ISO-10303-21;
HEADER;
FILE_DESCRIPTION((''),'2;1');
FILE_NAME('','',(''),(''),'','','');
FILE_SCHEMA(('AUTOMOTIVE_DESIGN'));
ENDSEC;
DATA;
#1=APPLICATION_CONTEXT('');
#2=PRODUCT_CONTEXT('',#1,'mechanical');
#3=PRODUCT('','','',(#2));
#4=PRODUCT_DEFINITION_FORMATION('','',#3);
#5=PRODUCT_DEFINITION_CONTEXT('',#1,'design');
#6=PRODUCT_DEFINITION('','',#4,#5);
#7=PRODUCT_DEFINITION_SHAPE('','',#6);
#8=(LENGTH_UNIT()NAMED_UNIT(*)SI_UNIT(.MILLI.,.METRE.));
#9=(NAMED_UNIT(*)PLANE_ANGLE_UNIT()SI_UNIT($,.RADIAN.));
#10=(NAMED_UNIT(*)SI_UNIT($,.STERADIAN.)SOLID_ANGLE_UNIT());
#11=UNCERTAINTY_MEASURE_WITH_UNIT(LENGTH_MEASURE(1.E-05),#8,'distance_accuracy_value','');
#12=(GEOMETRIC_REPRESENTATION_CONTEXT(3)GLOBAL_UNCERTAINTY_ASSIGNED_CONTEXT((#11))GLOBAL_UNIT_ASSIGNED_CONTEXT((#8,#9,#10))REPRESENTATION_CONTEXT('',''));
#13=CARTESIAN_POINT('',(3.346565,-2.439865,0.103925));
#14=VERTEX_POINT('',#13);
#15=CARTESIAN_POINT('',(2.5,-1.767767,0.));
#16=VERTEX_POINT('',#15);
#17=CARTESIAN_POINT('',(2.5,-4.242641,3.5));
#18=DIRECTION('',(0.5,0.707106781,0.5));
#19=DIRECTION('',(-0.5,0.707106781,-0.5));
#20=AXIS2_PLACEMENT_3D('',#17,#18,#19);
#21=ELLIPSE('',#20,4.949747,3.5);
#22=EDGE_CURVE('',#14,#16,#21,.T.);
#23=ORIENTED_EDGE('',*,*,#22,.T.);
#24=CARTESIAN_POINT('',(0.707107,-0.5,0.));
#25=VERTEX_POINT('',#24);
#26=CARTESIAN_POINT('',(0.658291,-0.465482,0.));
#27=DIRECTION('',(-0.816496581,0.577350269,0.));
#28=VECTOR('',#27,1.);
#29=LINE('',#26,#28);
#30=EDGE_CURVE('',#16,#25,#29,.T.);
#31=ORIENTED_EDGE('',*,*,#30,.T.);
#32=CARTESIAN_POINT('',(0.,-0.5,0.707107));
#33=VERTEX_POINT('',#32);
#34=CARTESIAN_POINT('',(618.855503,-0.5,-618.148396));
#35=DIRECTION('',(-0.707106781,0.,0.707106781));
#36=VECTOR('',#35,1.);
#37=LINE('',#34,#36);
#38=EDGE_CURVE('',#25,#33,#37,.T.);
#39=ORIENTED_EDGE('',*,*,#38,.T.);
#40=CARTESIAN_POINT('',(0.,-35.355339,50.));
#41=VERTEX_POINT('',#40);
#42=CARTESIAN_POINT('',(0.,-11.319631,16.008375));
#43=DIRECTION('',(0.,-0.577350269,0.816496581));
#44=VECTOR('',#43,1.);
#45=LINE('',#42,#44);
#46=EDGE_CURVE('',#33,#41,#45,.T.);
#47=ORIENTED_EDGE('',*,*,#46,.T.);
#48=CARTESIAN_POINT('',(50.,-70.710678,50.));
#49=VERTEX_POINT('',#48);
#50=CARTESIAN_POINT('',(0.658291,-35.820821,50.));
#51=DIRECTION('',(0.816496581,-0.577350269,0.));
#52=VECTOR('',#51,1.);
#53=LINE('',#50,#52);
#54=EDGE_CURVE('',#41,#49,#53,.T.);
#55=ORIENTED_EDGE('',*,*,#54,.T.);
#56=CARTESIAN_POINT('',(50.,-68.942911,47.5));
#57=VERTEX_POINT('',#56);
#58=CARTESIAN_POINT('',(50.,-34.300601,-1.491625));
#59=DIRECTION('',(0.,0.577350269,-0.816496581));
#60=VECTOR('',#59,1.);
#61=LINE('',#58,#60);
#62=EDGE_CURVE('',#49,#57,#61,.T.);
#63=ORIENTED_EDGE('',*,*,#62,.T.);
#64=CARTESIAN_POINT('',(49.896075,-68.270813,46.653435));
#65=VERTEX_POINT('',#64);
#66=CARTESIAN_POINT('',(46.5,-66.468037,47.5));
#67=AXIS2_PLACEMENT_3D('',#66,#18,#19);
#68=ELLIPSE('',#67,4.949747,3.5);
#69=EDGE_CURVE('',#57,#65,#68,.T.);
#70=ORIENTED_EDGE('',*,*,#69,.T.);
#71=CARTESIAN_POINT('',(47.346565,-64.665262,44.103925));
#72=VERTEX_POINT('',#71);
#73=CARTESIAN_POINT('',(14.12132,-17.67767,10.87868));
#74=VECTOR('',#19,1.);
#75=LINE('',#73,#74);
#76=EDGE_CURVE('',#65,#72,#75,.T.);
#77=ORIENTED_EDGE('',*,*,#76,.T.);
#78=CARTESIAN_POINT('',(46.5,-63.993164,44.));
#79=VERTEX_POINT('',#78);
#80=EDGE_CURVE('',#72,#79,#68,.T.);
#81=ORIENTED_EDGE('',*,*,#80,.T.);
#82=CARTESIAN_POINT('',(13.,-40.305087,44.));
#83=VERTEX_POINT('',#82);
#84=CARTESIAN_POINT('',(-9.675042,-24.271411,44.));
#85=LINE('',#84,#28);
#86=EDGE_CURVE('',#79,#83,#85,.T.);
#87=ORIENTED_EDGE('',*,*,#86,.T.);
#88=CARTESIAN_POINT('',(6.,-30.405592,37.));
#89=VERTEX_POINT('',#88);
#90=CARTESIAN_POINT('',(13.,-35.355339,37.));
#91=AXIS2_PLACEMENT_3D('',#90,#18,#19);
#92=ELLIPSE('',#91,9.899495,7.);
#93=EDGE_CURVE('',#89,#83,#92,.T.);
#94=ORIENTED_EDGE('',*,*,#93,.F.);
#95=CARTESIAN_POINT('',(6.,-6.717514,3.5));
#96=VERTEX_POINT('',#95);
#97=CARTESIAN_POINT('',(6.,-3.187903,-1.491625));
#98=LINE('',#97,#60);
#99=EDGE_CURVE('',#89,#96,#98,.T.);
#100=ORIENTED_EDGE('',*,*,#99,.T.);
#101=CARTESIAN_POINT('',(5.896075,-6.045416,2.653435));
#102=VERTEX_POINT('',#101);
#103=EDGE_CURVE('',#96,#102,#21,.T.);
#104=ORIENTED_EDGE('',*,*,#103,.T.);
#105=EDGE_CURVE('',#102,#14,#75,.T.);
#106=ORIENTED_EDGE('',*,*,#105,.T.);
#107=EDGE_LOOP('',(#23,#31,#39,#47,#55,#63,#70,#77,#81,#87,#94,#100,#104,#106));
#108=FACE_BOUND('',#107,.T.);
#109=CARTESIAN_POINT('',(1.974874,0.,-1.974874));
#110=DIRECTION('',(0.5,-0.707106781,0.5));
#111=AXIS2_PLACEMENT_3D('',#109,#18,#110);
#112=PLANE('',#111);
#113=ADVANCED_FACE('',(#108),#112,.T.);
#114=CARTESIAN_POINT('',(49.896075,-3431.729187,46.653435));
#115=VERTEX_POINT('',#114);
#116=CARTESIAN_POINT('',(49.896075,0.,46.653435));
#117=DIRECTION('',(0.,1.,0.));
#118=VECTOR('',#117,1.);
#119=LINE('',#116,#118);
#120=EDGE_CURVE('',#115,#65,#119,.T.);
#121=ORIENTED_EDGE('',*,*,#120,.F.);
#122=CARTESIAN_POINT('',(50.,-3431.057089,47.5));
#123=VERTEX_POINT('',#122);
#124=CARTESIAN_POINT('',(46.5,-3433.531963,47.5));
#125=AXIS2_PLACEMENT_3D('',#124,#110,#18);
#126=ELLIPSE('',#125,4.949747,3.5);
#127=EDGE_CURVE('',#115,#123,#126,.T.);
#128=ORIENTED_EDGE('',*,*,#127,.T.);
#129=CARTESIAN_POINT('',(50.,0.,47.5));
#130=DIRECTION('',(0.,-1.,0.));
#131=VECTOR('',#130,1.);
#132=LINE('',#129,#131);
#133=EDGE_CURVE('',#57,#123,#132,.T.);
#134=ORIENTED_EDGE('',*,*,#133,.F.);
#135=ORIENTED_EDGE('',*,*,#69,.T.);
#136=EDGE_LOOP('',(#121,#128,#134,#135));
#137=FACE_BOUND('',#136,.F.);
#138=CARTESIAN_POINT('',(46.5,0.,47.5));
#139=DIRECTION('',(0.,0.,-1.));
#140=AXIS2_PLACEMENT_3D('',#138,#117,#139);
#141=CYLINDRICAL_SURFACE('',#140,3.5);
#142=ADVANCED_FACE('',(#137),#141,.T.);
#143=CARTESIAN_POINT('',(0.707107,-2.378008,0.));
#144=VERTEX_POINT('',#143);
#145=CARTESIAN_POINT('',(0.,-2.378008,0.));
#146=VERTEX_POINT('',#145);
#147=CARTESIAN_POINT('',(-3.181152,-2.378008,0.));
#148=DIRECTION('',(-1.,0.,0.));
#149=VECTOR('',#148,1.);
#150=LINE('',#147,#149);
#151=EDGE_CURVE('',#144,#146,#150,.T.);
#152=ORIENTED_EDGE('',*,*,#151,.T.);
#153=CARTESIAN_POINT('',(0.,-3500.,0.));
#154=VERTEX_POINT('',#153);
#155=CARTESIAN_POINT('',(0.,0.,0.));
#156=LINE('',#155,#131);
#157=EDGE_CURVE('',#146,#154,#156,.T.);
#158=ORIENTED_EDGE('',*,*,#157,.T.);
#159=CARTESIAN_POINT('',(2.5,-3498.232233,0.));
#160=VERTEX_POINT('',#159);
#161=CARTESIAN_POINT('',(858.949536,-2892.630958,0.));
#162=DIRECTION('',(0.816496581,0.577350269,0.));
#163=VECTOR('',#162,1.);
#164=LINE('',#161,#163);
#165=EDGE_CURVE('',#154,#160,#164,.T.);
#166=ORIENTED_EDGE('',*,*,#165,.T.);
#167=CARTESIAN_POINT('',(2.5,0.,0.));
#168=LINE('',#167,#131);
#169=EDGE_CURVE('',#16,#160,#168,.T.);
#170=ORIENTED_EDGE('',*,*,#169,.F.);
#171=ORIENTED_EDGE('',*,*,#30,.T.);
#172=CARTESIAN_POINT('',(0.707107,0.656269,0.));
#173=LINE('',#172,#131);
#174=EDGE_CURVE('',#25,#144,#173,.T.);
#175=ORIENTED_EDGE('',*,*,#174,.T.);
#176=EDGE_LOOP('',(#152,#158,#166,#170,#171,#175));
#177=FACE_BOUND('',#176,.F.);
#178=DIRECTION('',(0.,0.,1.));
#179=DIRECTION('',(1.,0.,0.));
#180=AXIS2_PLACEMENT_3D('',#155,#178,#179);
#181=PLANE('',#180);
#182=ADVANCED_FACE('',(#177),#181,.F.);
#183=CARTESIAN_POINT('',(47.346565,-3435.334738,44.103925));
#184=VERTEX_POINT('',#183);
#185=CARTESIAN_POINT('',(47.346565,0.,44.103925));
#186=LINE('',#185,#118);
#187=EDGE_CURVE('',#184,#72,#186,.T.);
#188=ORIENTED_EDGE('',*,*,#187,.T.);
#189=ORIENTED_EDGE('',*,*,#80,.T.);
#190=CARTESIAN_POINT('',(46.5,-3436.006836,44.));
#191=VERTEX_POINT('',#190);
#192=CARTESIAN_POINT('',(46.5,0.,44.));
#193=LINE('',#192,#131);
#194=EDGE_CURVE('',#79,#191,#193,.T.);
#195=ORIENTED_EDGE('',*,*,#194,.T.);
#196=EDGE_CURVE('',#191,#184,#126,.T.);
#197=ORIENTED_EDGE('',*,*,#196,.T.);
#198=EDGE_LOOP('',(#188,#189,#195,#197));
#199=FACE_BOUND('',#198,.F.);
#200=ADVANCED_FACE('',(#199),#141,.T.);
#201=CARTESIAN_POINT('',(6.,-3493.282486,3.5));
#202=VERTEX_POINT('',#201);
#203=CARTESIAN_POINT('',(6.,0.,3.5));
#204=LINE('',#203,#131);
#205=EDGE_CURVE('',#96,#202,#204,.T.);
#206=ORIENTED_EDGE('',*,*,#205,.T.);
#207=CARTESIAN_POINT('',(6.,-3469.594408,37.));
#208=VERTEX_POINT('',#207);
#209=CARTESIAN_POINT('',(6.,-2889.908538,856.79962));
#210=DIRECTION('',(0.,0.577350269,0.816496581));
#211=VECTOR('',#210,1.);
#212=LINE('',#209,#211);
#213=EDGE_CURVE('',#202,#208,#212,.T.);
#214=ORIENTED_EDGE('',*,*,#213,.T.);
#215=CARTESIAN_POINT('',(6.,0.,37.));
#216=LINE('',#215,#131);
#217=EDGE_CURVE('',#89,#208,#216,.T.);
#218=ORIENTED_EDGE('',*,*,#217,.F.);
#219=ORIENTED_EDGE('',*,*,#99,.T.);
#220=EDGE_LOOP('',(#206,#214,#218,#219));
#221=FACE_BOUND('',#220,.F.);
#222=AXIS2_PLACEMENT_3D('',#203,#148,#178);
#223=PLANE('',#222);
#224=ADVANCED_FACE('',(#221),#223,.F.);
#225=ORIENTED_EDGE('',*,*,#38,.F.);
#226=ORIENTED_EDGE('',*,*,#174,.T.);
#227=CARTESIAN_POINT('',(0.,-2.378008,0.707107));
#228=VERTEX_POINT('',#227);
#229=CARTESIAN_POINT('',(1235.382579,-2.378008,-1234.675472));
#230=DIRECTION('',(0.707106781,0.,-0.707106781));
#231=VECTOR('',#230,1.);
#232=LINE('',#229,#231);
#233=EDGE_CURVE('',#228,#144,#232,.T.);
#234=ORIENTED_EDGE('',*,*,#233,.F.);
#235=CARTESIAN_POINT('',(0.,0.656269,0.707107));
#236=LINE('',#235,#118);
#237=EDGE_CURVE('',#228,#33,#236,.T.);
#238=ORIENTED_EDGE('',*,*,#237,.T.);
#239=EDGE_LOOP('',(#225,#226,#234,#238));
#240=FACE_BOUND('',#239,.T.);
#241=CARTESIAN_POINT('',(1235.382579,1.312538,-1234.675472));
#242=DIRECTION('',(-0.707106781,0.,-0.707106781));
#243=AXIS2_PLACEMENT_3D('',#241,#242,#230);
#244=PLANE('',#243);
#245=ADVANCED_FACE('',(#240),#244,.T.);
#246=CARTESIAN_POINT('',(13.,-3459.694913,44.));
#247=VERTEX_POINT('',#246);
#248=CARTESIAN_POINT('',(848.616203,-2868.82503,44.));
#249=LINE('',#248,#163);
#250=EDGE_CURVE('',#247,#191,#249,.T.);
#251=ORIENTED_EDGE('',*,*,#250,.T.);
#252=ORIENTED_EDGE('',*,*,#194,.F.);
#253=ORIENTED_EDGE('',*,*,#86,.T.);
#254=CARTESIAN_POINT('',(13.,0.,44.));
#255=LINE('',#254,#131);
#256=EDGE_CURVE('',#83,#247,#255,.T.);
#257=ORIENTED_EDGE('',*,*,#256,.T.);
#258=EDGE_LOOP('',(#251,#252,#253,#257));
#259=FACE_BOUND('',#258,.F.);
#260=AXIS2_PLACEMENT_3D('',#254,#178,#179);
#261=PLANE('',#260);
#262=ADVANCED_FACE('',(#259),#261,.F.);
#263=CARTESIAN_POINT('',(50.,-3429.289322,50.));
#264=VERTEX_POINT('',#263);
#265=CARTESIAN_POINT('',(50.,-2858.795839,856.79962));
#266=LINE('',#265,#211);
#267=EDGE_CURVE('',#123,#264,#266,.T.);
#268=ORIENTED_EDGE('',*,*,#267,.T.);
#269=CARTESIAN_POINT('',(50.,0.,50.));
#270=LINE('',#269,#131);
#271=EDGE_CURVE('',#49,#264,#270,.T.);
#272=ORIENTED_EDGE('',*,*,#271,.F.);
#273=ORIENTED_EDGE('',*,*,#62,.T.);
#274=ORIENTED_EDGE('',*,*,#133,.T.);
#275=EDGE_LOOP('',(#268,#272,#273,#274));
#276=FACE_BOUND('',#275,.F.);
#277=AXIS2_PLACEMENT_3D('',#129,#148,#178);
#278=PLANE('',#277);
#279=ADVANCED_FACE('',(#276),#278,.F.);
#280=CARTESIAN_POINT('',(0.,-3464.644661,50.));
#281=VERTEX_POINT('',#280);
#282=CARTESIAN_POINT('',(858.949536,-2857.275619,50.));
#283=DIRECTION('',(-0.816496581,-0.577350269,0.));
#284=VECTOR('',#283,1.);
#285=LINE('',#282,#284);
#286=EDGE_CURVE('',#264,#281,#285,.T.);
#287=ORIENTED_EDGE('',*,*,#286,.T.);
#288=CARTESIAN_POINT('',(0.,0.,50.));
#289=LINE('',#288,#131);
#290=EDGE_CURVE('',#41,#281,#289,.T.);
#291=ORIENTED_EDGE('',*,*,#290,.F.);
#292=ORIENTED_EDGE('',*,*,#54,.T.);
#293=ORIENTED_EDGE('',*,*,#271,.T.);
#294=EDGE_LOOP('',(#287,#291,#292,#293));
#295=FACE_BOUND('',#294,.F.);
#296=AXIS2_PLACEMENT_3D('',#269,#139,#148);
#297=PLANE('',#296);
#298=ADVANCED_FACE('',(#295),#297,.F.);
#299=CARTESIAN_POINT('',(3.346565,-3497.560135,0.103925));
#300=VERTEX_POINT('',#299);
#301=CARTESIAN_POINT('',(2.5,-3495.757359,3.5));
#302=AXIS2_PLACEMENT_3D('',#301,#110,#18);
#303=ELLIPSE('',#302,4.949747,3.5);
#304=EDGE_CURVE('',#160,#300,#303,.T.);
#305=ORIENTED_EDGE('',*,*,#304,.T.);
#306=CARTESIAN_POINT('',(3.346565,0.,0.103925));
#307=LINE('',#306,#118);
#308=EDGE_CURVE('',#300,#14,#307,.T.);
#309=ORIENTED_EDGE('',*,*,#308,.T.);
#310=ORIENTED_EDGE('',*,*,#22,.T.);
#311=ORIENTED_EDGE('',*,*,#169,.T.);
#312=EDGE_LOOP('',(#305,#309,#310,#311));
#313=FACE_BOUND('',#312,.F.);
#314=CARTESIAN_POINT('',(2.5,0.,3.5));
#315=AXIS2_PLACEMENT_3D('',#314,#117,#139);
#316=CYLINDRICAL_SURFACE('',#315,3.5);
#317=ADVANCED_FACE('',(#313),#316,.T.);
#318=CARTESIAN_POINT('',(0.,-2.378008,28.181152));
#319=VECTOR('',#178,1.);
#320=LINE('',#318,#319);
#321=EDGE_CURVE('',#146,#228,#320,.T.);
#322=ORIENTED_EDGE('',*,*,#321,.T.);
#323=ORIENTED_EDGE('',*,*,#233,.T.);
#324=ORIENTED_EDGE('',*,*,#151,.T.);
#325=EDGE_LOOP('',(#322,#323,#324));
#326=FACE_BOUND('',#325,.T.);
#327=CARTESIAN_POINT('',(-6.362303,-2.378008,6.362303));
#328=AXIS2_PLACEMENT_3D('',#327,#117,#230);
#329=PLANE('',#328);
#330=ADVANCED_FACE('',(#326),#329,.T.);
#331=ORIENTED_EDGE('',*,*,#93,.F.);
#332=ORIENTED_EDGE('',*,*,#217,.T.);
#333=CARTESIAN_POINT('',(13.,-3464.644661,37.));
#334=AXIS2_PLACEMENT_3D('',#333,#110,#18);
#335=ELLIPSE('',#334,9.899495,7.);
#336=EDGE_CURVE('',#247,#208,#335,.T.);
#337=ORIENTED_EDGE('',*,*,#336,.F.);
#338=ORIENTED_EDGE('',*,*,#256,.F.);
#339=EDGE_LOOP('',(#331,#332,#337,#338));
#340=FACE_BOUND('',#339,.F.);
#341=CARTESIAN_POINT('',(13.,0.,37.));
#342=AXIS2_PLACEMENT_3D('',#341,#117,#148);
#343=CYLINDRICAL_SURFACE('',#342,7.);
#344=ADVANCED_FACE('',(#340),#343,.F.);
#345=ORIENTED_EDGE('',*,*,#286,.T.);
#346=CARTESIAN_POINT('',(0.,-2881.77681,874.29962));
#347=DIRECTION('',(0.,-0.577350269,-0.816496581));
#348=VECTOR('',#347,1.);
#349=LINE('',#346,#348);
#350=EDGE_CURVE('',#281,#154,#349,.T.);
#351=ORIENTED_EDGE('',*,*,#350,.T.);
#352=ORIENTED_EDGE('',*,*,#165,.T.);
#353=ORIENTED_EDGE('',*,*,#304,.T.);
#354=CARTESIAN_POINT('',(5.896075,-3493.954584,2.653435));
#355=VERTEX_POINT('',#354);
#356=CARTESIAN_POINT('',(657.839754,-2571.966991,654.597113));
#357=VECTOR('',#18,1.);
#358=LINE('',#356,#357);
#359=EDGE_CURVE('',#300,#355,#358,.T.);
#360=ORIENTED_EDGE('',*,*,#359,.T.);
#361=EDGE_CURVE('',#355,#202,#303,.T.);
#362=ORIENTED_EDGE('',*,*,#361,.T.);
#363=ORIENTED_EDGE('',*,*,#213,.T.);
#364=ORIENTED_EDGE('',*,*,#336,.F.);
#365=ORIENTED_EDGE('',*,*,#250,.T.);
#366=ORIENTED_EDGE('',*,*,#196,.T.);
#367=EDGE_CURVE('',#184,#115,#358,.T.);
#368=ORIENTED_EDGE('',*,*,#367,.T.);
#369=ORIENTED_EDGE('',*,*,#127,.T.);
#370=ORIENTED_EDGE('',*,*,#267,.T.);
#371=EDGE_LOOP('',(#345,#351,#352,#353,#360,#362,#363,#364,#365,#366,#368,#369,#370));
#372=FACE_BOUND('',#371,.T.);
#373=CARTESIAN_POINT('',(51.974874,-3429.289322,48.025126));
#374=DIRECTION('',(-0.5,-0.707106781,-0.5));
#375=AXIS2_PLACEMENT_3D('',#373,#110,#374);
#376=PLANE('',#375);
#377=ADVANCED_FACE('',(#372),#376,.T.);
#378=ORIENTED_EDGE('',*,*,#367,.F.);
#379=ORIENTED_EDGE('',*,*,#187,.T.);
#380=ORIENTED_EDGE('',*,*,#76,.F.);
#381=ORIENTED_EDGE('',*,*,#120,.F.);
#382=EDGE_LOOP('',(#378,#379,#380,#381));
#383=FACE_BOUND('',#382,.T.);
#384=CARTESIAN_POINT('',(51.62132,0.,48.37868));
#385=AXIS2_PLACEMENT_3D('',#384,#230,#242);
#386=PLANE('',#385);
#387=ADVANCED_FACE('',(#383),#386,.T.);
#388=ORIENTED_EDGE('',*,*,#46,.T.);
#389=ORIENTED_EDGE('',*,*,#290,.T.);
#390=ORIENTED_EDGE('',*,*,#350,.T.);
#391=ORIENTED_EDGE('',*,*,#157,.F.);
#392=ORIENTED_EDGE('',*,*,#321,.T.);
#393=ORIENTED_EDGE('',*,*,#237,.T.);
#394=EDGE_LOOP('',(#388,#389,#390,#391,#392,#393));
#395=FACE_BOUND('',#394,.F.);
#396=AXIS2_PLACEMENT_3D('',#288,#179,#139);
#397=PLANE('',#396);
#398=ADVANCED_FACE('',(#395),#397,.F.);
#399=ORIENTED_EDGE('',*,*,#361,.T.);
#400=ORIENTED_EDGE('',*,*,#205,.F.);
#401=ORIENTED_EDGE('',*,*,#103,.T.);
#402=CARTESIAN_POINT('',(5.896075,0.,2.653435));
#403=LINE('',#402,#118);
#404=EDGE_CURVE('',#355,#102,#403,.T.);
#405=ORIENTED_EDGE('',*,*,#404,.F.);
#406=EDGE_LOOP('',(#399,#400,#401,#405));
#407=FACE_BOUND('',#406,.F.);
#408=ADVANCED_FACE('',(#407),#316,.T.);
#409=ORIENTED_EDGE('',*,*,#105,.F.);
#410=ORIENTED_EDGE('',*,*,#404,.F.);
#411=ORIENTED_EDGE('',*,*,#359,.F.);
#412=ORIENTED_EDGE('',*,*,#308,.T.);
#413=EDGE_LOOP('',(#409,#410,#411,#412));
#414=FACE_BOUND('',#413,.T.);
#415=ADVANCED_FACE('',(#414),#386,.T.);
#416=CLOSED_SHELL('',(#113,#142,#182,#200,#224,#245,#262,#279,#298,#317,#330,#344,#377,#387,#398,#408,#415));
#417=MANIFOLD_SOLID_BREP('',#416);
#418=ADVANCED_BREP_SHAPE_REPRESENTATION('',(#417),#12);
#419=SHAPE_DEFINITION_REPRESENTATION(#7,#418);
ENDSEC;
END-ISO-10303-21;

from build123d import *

# Parameters (mm, degrees)
F1_DEPTH  = 3500
F7_DEPTH  = 45
F9_DEPTH  = 45
F11_DEPTH = 3500.001
F13_W     = 3511.1849075183
F13_H     = 7.3810932226
F14_DEPTH = 0.5


with BuildPart() as f1:
    # F0 (on Front) → F1 (new body)
    with BuildSketch(Plane.XZ):
        with BuildLine():
            Line((0, 50), (0, 0))
            Line((0, 0), (2.5, 0))
            ThreePointArc((2.5, 0), (4.9748737342, 1.0251262658), (6, 3.5))
            Line((6, 3.5), (6, 37))
            ThreePointArc((6, 37), (8.0502525317, 41.9497474683), (13, 44))
            Line((13, 44), (46.5, 44))
            ThreePointArc((46.5, 44), (48.9748737342, 45.0251262658), (50, 47.5))
            Line((50, 47.5), (50, 50))
            Line((50, 50), (0, 50))
        make_face()
    extrude(amount=F1_DEPTH)

    # F6 (on 3pt) → F7 (cut)
    with BuildSketch(Plane(origin=(1.9748737342, 0, -1.9748737342), x_dir=(0, -1, 0), z_dir=(-0.7071067812, 0, 0.7071067812))):
        Polygon((3429.2893218813, 70.7106781187), (3500, 0), (3500, 70.7106781187), align=None)
    extrude(amount=F7_DEPTH, mode=Mode.SUBTRACT)

    # F8 (on 3pt) → F9 (cut)
    with BuildSketch(Plane(origin=(1.9748737342, 0, -1.9748737342), x_dir=(0, -1, 0), z_dir=(-0.7071067812, 0, 0.7071067812))):
        Polygon((0, 70.7106781187), (0, 0), (70.7106781187, 70.7106781187), align=None)
    extrude(amount=F9_DEPTH, mode=Mode.SUBTRACT)

    # F10 (on Front) → F11 (cut, through all)
    with BuildSketch(Plane.XZ):
        Polygon((1.6213203436, -1.6213203436), (1.9748737342, -1.9748737342), (51.9748737342, 48.0251262658), (51.6213203436, 48.3786796564), align=None)
    extrude(amount=F11_DEPTH, mode=Mode.SUBTRACT)

    # F13 (on face) → F14 (cut)
    with BuildSketch(Plane(origin=(0, 0, 0), x_dir=(0.7071067812, 0, -0.7071067812), z_dir=(-0.7071067812, 0, -0.7071067812))):
        with Locations((1746.5947982855, -1.3125382829)):
            Rectangle(F13_W, F13_H)
    extrude(amount=-F14_DEPTH, mode=Mode.SUBTRACT)


solid = f1.part
